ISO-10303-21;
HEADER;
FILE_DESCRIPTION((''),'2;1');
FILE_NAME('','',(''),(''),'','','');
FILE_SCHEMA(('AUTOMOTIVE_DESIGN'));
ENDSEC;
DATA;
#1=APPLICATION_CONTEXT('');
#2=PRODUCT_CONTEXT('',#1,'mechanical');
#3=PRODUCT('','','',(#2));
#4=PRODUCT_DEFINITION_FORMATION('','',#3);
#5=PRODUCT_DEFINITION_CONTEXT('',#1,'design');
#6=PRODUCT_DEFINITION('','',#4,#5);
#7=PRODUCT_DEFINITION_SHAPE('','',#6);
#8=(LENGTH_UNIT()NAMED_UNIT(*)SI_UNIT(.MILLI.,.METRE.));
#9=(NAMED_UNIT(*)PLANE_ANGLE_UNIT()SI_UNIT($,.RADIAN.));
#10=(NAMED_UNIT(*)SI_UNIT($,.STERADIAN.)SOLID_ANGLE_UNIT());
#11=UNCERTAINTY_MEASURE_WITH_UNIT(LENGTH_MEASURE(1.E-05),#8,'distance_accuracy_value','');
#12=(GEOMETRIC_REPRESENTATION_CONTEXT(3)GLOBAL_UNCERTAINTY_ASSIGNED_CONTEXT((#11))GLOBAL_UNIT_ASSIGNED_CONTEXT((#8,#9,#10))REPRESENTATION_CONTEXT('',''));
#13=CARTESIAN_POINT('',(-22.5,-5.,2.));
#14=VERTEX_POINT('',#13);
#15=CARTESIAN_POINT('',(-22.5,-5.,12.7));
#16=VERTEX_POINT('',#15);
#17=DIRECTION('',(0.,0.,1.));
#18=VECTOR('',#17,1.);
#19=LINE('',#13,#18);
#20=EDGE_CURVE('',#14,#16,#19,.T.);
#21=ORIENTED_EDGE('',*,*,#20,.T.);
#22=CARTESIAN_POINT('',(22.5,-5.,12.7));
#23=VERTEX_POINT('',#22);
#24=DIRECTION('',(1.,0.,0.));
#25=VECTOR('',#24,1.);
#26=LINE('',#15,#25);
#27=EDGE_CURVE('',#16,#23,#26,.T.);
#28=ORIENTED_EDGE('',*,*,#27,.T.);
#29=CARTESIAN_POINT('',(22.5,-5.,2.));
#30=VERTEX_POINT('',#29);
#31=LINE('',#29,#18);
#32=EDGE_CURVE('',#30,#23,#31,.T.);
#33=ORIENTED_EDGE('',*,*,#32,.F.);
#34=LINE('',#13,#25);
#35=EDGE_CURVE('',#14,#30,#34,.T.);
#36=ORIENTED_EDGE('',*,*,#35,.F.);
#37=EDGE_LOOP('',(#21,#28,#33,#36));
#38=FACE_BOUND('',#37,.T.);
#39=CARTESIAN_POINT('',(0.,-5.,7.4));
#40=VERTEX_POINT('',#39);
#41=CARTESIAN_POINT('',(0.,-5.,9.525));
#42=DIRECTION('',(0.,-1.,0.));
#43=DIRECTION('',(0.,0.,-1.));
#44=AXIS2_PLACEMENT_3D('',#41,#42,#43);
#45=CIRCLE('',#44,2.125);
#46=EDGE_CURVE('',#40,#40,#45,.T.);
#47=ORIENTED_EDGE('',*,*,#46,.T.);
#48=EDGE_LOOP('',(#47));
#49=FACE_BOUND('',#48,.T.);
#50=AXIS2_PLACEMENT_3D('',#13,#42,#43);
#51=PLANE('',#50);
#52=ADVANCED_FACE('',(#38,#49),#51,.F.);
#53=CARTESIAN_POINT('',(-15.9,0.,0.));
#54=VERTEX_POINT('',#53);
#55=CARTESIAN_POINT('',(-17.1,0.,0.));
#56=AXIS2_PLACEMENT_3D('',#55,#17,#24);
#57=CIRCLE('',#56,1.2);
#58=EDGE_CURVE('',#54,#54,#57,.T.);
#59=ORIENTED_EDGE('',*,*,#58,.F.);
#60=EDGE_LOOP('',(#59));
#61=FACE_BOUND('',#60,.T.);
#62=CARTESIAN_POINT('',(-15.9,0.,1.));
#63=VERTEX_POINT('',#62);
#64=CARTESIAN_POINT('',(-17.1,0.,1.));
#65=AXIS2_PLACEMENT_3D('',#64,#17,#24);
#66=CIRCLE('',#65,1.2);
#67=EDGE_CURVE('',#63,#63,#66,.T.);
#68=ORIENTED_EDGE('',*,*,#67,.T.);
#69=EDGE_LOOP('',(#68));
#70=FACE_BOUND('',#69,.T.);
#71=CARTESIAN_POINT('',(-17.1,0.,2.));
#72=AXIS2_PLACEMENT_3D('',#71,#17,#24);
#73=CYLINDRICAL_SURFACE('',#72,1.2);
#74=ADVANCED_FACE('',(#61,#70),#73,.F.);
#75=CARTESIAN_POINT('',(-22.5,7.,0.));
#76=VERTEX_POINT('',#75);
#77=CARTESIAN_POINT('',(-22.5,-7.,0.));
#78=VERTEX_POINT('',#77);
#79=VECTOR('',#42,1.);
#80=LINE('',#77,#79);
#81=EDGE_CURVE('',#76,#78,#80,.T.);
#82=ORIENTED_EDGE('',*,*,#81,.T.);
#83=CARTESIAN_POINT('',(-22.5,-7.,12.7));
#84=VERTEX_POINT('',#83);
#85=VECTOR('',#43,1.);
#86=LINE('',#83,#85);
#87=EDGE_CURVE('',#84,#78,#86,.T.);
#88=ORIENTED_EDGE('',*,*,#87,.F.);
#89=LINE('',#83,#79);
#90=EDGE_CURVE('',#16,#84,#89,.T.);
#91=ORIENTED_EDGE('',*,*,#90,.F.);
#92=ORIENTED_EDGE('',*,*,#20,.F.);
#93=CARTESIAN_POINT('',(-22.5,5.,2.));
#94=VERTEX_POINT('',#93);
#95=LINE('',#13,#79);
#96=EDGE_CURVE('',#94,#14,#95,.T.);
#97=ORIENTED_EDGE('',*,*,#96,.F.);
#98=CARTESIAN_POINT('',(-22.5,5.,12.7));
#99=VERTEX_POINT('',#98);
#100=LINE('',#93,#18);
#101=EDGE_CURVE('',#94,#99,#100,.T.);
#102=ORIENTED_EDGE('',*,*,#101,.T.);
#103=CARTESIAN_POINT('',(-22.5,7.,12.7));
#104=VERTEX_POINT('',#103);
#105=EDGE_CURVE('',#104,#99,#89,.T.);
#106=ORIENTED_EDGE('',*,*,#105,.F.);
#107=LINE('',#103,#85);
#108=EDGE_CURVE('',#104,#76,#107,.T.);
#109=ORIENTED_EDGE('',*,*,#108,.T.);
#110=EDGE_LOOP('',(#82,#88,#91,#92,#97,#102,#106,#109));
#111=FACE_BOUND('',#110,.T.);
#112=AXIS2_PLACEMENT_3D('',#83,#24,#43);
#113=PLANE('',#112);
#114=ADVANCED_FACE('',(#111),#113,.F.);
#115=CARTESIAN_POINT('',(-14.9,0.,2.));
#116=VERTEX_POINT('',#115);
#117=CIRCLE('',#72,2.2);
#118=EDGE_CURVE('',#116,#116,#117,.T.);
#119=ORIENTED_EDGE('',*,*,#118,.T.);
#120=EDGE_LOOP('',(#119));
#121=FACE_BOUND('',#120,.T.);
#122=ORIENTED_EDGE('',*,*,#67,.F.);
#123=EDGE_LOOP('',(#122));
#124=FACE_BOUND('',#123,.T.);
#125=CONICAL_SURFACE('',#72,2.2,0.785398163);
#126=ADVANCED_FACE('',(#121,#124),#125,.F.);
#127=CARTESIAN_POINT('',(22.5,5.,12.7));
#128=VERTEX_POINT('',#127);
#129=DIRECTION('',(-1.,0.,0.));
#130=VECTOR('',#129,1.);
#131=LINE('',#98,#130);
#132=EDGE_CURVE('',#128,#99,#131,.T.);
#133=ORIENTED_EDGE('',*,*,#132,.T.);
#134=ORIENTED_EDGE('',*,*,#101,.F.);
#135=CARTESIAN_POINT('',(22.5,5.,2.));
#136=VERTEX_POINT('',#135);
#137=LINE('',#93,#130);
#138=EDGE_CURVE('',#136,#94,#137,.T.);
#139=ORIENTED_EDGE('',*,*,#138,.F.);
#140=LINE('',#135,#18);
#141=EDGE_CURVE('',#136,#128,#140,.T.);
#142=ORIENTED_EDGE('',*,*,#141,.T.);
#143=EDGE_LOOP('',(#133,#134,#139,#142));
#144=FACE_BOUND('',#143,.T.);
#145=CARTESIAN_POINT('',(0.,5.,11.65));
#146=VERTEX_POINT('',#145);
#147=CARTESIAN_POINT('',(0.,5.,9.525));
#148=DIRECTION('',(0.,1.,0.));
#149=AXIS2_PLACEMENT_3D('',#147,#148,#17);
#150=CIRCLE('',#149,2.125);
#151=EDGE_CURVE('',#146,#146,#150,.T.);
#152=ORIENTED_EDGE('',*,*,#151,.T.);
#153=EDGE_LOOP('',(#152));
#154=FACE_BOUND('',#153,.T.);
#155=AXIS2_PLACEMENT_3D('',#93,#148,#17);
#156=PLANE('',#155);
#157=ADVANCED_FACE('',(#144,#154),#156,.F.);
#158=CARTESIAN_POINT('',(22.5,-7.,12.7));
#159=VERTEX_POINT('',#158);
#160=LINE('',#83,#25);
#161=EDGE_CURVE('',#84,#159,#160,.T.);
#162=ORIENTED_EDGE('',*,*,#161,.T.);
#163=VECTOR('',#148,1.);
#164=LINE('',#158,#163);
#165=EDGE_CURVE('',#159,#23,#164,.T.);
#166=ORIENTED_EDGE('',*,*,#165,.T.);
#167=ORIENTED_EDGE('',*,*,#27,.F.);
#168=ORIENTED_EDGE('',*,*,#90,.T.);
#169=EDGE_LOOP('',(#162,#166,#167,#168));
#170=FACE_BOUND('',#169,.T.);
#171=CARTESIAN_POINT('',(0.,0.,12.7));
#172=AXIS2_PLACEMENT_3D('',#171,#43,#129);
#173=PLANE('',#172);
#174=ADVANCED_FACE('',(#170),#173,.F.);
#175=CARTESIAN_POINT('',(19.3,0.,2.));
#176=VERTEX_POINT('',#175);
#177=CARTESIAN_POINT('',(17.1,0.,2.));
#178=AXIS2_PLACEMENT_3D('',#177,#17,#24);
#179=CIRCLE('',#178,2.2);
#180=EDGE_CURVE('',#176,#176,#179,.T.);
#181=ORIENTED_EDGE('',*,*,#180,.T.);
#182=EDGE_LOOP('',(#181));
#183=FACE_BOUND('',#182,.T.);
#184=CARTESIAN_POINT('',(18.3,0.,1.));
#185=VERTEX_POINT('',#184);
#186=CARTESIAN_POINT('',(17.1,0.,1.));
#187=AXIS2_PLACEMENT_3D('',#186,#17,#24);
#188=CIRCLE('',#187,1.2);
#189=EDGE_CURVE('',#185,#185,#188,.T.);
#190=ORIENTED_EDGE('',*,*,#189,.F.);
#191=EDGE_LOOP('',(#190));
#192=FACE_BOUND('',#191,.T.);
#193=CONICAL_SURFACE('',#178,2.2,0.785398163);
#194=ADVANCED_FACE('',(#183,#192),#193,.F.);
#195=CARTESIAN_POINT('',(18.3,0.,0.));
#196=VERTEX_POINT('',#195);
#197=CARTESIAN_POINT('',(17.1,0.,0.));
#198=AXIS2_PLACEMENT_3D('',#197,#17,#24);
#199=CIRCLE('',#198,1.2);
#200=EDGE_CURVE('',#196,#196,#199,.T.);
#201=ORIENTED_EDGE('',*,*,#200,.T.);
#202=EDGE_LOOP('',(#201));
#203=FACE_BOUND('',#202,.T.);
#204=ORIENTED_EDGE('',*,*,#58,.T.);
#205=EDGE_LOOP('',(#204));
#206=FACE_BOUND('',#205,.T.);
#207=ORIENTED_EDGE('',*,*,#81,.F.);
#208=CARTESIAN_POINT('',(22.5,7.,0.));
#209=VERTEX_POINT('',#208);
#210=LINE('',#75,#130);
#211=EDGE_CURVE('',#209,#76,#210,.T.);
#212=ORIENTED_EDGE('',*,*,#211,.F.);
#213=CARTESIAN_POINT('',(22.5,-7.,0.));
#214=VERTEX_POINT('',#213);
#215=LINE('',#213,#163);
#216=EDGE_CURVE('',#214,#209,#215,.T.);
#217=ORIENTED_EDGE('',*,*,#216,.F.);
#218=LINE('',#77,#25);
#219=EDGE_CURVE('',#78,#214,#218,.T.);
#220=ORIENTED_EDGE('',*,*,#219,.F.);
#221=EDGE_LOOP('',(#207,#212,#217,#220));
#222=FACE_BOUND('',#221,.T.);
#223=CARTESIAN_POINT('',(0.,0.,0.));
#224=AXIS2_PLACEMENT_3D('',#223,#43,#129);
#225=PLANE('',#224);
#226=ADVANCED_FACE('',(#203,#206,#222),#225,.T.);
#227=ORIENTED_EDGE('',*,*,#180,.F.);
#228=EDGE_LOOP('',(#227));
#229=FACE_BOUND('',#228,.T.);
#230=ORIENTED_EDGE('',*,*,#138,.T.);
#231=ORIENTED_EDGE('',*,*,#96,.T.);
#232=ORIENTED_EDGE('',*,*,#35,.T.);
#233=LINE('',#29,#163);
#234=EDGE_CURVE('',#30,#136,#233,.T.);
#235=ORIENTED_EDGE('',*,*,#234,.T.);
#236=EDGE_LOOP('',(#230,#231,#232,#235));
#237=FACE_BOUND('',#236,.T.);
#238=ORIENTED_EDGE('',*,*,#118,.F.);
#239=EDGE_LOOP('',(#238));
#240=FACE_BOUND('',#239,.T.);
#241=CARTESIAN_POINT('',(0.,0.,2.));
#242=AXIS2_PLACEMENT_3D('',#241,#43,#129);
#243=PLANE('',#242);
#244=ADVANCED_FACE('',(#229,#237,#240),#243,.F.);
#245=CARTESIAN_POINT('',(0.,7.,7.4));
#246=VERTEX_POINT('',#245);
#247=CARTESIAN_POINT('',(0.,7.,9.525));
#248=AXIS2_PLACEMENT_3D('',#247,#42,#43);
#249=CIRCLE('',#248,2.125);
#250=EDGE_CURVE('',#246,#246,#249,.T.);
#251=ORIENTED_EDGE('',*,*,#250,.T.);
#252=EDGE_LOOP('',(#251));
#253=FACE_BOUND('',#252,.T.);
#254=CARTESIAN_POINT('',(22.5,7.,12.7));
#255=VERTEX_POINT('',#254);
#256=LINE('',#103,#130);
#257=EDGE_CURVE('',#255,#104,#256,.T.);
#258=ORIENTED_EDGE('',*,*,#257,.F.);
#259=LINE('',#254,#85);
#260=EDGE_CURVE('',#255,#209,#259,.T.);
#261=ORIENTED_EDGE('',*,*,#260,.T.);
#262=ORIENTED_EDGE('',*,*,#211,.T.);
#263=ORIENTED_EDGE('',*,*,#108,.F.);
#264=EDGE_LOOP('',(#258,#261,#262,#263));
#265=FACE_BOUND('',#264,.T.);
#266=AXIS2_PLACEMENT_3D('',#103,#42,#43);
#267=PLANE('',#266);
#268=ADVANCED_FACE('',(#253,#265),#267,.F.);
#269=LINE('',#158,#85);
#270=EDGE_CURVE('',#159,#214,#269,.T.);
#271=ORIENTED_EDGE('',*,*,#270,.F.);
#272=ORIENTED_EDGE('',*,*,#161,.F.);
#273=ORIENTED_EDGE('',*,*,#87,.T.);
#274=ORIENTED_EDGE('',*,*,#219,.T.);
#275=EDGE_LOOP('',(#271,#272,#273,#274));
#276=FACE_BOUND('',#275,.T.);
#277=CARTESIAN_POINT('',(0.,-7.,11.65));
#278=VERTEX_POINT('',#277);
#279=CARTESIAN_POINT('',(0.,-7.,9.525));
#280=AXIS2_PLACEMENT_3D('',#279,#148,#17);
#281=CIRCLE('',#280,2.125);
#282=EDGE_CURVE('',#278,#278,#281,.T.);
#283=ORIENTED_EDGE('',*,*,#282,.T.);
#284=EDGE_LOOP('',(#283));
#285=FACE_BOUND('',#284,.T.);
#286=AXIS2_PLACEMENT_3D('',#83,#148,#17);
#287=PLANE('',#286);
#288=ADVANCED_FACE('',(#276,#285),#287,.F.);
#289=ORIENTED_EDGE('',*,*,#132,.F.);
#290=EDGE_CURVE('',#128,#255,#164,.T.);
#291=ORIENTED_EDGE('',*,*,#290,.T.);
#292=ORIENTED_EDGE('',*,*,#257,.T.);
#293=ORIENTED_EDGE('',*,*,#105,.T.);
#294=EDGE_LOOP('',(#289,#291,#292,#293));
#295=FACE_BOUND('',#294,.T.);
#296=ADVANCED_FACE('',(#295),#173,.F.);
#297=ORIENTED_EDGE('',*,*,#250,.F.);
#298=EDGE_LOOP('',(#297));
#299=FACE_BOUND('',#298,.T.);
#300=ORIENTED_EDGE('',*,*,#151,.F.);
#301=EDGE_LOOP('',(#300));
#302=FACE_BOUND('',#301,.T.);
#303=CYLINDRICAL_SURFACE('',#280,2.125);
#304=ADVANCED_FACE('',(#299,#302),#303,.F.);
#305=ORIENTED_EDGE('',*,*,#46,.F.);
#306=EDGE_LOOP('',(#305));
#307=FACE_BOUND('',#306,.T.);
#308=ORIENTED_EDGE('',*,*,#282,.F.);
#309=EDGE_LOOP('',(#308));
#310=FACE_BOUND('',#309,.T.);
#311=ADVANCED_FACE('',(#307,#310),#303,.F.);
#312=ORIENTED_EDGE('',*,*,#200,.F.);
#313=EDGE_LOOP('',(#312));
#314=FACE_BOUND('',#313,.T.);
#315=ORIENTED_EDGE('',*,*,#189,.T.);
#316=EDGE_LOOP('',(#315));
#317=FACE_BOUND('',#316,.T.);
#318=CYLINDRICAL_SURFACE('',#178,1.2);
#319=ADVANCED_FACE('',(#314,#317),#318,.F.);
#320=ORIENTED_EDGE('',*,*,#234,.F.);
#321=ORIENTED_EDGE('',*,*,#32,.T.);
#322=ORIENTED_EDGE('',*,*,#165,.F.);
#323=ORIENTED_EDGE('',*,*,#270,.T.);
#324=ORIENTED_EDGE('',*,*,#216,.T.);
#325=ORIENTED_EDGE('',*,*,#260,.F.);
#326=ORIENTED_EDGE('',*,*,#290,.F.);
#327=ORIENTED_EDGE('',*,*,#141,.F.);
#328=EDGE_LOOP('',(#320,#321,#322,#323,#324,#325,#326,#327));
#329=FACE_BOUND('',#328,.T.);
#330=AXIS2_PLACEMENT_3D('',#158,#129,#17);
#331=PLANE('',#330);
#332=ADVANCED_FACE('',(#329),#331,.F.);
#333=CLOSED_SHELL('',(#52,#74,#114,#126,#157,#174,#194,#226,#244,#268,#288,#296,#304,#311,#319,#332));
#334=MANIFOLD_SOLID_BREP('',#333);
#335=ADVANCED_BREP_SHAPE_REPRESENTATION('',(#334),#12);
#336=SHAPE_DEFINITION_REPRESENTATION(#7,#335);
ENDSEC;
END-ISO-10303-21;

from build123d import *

# Parameters (mm, degrees)
SKETCH1_W                                      = 45
SKETCH1_H                                      = 14
BOSS_EXTRUDE1_DEPTH                            = 12.7
SKETCH2_W                                      = 45
SKETCH2_H                                      = 10
CUT_EXTRUDE1_DEPTH                             = 10.7
CSK_FOR_M2_FLAT_HEAD_MACHINE_SCREW1_AT_2_COUNT = 2
CSK_FOR_M2_FLAT_HEAD_MACHINE_SCREW1_AT_2_PITCH = 34.2
CUT_EXTRUDE2_DEPTH                             = 30.386051113
CUT_EXTRUDE2_DEPTH_BACK                        = 30.386051113
SKETCH5_R                                      = 2.125


with BuildPart() as part:
    # Sketch1 → Boss-Extrude1 (new body)
    with BuildSketch(Plane.XY):
        Rectangle(SKETCH1_W, SKETCH1_H)
    extrude(amount=BOSS_EXTRUDE1_DEPTH)

    # Sketch2 → Cut-Extrude1 (cut)
    with BuildSketch(Plane.XY.offset(12.7)):
        Rectangle(SKETCH2_W, SKETCH2_H)
    extrude(amount=-CUT_EXTRUDE1_DEPTH, mode=Mode.SUBTRACT)

    # Sketch3 → CSK for M2 Flat Head Machine Screw1 (revolve, cut)
    with BuildSketch(Plane(origin=(-17.1, 0, 2), x_dir=(0, -1, 0), z_dir=(1, 0, 0))):
        Polygon((0, 0), (0, 2), (1.2, 2), (1.2, 1), (2.2, 0), align=None)
    csk_for_m2_flat_head_machine_screw1 = revolve(axis=Axis((-17.1, 0, 8.35), (0, 0, -1)), mode=Mode.SUBTRACT)

    # CSK for M2 Flat Head Machine Screw1 at 2: CSK for M2 Flat Head Machine Screw1 ×2
    with Locations(*[(i * CSK_FOR_M2_FLAT_HEAD_MACHINE_SCREW1_AT_2_PITCH, 0, 0) for i in range(1, CSK_FOR_M2_FLAT_HEAD_MACHINE_SCREW1_AT_2_COUNT)]):
        add(csk_for_m2_flat_head_machine_screw1, mode=Mode.SUBTRACT)

    # Sketch5 → Cut-Extrude2 (cut, two sides: drawn at the far end of the back side and taken through both)
    with BuildSketch(Plane(origin=(0, 7, 0), x_dir=(1, 0, 0), z_dir=(0, 1, 0)).offset(-CUT_EXTRUDE2_DEPTH_BACK)):
        with Locations((0, -9.525)):
            Circle(SKETCH5_R)
    extrude(amount=CUT_EXTRUDE2_DEPTH + CUT_EXTRUDE2_DEPTH_BACK, mode=Mode.SUBTRACT)


solid = part.part
